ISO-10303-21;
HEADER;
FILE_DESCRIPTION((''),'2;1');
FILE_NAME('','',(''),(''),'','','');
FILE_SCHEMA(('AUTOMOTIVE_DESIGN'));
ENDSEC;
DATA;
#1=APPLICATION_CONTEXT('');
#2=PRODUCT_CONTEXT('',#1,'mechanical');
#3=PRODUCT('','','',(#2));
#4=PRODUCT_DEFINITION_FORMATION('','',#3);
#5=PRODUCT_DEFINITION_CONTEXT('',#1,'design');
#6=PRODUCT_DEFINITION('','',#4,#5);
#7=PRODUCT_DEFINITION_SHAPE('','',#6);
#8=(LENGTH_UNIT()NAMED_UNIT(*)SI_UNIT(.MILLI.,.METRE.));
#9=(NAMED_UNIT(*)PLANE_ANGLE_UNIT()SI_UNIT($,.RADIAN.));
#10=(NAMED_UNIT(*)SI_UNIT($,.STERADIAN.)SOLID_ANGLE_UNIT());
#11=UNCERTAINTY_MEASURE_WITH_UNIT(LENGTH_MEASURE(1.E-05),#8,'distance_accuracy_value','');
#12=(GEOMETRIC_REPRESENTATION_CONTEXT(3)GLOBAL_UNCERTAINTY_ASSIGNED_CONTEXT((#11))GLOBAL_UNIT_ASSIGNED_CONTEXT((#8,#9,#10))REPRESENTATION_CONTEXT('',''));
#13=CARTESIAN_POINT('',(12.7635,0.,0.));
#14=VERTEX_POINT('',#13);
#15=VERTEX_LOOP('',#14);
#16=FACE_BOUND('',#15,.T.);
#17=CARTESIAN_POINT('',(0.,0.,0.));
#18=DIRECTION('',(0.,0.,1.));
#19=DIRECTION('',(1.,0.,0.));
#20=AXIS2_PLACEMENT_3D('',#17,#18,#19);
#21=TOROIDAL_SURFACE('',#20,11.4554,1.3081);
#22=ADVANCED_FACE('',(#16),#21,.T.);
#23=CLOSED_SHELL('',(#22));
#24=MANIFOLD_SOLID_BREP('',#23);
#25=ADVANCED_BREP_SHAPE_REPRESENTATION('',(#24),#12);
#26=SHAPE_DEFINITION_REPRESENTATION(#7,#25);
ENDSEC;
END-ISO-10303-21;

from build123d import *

# Parameters (mm, degrees)
SKETCH1_R = 1.3081


with BuildPart() as part:
    # Sketch1 → Revolve1 (revolve)
    with BuildSketch(Plane(origin=(0, 0, 0), x_dir=(0, -1, 0), z_dir=(1, 0, 0)), mode=Mode.PRIVATE) as revolve1_sk:
        with Locations((11.4554, 0)):
            Circle(SKETCH1_R)
    revolve(revolve1_sk.sketch.rotate(Axis((0, 0, 1.3081), (0, 0, -1)), 270), axis=Axis((0, 0, 1.3081), (0, 0, -1)))


solid = part.part
